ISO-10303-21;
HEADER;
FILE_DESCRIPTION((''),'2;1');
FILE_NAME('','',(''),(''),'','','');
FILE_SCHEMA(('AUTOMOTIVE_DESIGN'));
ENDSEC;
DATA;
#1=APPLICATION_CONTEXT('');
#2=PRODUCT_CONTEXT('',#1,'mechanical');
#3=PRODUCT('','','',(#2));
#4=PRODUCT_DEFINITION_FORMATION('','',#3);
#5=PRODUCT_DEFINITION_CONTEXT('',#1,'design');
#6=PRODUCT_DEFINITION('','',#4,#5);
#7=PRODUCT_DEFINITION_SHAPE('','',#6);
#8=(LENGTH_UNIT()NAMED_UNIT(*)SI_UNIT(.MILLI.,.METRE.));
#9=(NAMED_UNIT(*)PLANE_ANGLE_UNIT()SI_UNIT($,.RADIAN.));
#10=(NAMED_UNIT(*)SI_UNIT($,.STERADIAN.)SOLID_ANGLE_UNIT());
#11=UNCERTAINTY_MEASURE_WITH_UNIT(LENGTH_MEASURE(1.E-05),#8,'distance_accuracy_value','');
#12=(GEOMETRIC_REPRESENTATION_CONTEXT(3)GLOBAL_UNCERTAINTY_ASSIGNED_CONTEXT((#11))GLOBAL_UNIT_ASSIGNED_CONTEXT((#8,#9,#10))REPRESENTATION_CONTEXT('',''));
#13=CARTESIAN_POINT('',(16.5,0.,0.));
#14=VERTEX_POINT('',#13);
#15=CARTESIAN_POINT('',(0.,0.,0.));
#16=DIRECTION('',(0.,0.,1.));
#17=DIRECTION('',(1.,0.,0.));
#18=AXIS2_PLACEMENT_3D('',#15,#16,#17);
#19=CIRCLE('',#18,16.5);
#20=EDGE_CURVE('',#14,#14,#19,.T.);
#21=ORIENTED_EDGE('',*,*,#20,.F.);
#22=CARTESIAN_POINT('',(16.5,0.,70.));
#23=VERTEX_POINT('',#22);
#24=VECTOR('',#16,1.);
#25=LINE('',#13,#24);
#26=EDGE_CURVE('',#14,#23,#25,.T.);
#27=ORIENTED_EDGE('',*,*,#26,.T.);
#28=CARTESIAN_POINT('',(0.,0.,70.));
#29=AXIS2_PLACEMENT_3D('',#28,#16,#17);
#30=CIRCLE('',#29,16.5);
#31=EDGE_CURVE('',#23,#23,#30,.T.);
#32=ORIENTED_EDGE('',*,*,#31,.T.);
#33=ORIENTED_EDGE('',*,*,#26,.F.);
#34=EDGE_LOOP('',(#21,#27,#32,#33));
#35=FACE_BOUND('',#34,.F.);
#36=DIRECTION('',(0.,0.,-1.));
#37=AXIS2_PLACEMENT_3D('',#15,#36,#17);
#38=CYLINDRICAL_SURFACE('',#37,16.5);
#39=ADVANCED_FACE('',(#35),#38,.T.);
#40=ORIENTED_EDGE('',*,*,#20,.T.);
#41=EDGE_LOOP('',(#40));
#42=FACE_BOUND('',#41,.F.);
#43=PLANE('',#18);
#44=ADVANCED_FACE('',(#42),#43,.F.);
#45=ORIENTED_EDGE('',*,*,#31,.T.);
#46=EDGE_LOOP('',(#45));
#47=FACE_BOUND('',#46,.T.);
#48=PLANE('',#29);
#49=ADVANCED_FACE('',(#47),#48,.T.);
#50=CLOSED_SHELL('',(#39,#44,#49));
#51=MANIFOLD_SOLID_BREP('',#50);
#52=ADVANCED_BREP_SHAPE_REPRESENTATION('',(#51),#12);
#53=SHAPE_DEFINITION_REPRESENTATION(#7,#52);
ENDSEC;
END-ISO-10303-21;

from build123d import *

# Parameters (mm, degrees)
SKETCH1_R           = 16.5
BOSS_EXTRUDE1_DEPTH = 70


with BuildPart() as part:
    # Sketch1 → Boss-Extrude1 (new body)
    with BuildSketch(Plane.XY):
        Circle(SKETCH1_R)
    extrude(amount=BOSS_EXTRUDE1_DEPTH)


solid = part.part
